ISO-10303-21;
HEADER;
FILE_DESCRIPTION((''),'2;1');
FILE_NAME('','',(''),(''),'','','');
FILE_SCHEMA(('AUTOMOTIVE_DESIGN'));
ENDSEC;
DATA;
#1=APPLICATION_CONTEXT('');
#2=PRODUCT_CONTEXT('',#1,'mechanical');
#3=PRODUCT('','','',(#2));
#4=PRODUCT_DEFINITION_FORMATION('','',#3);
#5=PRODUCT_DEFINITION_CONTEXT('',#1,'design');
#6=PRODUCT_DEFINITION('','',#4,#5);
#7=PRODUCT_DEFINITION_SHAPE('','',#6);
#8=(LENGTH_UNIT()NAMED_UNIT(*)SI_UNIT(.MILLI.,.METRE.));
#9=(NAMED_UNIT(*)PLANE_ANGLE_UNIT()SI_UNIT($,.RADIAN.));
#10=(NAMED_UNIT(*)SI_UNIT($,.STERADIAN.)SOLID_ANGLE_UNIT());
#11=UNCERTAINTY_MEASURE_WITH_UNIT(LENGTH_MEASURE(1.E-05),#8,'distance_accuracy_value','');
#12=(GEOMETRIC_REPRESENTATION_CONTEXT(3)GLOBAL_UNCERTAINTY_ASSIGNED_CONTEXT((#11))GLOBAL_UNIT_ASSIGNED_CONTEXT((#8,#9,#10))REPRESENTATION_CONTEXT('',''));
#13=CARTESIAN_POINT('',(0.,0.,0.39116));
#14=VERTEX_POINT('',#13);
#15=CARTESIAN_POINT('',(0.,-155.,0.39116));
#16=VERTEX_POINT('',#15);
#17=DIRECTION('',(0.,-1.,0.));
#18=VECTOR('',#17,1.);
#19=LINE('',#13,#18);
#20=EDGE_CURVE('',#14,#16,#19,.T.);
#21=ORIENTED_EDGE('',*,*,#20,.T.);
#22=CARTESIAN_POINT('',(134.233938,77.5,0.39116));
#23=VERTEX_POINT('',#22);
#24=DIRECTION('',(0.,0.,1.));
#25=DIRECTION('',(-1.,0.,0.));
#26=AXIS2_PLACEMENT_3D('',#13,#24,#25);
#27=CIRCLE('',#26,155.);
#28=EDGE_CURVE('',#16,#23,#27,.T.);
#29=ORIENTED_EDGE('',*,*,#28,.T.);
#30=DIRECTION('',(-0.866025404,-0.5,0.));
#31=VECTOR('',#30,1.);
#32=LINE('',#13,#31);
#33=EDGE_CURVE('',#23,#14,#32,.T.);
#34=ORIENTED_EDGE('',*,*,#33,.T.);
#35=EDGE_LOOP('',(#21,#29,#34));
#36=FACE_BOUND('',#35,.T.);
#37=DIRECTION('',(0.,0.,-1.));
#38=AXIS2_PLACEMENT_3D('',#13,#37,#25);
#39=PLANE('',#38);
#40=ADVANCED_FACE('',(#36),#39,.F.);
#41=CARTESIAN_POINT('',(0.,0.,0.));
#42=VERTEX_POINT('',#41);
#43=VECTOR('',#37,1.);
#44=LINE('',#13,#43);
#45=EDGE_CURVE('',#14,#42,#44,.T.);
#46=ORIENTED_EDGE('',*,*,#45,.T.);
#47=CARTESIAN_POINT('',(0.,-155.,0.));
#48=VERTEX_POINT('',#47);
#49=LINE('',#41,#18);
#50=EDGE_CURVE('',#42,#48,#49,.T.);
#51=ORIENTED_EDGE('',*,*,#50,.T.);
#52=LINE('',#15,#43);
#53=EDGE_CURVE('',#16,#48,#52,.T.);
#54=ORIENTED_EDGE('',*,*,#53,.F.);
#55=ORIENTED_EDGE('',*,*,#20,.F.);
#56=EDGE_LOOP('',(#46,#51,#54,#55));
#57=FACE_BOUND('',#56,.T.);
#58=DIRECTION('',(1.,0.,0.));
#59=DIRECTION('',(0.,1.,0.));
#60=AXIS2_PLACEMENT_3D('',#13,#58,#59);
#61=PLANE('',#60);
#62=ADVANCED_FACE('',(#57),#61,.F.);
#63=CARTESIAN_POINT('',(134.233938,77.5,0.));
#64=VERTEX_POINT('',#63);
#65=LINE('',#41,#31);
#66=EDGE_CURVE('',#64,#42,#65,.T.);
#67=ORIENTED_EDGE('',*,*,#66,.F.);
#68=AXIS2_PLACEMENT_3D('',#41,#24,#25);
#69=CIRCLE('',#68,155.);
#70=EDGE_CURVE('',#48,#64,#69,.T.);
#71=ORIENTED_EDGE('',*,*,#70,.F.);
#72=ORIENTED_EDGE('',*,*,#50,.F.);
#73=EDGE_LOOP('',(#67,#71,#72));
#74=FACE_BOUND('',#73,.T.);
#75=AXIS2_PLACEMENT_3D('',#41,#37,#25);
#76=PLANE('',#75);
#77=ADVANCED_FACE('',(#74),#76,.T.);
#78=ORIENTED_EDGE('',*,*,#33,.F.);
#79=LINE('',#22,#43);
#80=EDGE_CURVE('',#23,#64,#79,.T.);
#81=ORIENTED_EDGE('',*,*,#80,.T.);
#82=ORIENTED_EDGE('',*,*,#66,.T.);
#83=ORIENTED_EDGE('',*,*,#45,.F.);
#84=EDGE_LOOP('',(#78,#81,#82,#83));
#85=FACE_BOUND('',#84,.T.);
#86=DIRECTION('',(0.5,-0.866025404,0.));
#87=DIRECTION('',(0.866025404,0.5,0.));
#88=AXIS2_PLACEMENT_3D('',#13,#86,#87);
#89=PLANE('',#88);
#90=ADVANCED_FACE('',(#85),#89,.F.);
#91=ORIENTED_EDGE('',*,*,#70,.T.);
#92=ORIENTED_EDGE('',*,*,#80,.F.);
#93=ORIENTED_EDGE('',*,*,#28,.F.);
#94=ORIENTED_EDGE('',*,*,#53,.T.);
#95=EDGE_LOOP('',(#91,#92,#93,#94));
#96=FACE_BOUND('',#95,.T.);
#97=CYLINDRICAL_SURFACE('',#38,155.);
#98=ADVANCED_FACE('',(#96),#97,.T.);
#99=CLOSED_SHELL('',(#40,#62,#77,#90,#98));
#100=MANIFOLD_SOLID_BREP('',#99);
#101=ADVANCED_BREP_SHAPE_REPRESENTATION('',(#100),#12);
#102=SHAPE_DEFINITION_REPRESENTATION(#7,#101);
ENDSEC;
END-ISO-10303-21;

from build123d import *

# Parameters (mm, degrees)
BOARD_DEPTH = 0.39116


with BuildPart() as part:
    # 草圖1 → Board (new body)
    with BuildSketch(Plane.XY):
        with BuildLine():
            Line((0, 0), (134.233937587, 77.5))
            ThreePointArc((134.233937587, 77.5), (134.233937587, -77.5), (0, -155))
            Line((0, -155), (0, 0))
        make_face()
    extrude(amount=BOARD_DEPTH)


solid = part.part
